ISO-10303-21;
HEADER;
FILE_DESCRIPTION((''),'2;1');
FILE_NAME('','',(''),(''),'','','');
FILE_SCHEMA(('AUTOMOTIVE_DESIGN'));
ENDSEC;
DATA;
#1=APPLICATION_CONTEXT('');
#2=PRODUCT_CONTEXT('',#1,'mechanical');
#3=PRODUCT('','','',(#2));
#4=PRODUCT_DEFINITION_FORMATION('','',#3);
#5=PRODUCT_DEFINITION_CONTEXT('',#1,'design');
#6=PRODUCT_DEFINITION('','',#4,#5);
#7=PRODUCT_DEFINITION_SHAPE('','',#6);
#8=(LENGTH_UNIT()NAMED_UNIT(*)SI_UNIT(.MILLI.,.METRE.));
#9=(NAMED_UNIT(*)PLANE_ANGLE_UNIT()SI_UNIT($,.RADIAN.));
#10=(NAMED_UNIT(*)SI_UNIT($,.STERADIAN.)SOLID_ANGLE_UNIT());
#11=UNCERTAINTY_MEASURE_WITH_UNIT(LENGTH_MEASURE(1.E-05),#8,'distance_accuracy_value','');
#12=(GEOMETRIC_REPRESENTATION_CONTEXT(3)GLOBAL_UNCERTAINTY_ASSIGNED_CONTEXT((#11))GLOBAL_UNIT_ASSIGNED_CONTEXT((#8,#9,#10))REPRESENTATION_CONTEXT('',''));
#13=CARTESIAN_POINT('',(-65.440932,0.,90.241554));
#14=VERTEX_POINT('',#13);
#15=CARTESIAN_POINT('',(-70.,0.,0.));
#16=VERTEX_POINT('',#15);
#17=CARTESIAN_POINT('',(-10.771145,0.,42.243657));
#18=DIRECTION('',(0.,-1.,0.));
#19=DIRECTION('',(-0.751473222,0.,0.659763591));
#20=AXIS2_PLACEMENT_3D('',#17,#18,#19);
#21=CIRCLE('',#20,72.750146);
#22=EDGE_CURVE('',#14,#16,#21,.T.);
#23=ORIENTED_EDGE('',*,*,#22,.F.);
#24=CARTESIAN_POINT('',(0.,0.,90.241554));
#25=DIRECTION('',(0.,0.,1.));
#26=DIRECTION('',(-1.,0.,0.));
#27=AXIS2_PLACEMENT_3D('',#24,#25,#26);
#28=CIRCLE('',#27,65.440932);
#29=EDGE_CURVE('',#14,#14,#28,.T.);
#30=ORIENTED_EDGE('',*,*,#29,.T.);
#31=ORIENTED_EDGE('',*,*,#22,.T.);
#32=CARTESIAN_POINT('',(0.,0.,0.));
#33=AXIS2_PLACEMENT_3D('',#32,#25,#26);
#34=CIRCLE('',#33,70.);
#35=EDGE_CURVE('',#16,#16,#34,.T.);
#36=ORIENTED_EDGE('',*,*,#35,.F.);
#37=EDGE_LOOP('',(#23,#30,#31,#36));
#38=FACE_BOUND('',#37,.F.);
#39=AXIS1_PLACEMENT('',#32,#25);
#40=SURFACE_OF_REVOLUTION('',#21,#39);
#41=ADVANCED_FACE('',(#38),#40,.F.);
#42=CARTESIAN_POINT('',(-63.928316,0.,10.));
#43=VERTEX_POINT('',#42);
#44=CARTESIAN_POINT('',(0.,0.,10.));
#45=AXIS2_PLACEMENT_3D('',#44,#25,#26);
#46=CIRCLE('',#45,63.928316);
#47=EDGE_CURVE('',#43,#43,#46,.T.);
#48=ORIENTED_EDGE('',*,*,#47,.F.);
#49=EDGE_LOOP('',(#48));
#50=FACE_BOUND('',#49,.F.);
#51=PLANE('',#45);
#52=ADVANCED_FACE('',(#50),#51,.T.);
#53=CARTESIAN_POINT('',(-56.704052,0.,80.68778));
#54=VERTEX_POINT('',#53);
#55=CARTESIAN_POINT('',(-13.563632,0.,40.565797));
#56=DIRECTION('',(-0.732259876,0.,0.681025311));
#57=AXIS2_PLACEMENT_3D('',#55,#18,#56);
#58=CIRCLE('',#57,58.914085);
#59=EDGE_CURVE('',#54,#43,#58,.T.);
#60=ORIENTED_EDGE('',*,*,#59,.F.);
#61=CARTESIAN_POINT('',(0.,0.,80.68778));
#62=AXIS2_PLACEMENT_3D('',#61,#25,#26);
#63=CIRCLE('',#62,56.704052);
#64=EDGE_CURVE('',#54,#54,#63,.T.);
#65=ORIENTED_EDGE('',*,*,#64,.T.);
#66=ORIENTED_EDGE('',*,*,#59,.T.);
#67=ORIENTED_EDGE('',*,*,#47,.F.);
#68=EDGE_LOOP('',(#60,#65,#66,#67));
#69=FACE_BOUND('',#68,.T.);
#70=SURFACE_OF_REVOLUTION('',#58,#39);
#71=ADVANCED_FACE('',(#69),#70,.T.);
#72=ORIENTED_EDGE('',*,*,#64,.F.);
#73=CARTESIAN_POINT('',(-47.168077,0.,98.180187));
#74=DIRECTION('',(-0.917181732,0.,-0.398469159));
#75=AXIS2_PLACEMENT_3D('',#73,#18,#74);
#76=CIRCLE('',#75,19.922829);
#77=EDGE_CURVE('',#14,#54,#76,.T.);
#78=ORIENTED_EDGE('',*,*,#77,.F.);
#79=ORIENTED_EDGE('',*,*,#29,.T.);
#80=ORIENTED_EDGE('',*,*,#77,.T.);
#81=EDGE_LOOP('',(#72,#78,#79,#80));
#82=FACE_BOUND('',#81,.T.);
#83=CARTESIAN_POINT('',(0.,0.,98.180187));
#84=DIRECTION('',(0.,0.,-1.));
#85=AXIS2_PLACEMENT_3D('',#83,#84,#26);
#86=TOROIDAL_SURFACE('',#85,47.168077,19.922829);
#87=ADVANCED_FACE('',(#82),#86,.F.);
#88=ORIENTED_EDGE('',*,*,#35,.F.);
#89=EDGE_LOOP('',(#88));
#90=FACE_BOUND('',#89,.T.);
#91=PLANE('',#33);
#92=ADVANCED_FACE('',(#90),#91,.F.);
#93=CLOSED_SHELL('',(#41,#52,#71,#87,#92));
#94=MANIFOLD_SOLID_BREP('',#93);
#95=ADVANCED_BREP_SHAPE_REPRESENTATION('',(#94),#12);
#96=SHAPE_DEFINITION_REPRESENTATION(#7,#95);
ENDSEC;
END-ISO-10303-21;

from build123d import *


with BuildPart() as part:
    # Sketch → Revolution (revolve)
    with BuildSketch(Plane.XZ):
        with BuildLine():
            Line((0, 0), (-70, 0))
            ThreePointArc((-65.440932, 90.241554), (-83.428627, 45.914365), (-70, 0))
            ThreePointArc((-65.440932, 90.241554), (-61.870166, 84.735199), (-56.704052, 80.68778))
            ThreePointArc((-56.704052, 80.68778), (-72.172434, 46.555594), (-63.928316, 10))
            Line((0, 10), (-63.928316, 10))
            Line((0, 0), (0, 10))
        make_face()
    revolve(axis=Axis((0, 0, 0), (0, 0, 1)))


solid = part.part
